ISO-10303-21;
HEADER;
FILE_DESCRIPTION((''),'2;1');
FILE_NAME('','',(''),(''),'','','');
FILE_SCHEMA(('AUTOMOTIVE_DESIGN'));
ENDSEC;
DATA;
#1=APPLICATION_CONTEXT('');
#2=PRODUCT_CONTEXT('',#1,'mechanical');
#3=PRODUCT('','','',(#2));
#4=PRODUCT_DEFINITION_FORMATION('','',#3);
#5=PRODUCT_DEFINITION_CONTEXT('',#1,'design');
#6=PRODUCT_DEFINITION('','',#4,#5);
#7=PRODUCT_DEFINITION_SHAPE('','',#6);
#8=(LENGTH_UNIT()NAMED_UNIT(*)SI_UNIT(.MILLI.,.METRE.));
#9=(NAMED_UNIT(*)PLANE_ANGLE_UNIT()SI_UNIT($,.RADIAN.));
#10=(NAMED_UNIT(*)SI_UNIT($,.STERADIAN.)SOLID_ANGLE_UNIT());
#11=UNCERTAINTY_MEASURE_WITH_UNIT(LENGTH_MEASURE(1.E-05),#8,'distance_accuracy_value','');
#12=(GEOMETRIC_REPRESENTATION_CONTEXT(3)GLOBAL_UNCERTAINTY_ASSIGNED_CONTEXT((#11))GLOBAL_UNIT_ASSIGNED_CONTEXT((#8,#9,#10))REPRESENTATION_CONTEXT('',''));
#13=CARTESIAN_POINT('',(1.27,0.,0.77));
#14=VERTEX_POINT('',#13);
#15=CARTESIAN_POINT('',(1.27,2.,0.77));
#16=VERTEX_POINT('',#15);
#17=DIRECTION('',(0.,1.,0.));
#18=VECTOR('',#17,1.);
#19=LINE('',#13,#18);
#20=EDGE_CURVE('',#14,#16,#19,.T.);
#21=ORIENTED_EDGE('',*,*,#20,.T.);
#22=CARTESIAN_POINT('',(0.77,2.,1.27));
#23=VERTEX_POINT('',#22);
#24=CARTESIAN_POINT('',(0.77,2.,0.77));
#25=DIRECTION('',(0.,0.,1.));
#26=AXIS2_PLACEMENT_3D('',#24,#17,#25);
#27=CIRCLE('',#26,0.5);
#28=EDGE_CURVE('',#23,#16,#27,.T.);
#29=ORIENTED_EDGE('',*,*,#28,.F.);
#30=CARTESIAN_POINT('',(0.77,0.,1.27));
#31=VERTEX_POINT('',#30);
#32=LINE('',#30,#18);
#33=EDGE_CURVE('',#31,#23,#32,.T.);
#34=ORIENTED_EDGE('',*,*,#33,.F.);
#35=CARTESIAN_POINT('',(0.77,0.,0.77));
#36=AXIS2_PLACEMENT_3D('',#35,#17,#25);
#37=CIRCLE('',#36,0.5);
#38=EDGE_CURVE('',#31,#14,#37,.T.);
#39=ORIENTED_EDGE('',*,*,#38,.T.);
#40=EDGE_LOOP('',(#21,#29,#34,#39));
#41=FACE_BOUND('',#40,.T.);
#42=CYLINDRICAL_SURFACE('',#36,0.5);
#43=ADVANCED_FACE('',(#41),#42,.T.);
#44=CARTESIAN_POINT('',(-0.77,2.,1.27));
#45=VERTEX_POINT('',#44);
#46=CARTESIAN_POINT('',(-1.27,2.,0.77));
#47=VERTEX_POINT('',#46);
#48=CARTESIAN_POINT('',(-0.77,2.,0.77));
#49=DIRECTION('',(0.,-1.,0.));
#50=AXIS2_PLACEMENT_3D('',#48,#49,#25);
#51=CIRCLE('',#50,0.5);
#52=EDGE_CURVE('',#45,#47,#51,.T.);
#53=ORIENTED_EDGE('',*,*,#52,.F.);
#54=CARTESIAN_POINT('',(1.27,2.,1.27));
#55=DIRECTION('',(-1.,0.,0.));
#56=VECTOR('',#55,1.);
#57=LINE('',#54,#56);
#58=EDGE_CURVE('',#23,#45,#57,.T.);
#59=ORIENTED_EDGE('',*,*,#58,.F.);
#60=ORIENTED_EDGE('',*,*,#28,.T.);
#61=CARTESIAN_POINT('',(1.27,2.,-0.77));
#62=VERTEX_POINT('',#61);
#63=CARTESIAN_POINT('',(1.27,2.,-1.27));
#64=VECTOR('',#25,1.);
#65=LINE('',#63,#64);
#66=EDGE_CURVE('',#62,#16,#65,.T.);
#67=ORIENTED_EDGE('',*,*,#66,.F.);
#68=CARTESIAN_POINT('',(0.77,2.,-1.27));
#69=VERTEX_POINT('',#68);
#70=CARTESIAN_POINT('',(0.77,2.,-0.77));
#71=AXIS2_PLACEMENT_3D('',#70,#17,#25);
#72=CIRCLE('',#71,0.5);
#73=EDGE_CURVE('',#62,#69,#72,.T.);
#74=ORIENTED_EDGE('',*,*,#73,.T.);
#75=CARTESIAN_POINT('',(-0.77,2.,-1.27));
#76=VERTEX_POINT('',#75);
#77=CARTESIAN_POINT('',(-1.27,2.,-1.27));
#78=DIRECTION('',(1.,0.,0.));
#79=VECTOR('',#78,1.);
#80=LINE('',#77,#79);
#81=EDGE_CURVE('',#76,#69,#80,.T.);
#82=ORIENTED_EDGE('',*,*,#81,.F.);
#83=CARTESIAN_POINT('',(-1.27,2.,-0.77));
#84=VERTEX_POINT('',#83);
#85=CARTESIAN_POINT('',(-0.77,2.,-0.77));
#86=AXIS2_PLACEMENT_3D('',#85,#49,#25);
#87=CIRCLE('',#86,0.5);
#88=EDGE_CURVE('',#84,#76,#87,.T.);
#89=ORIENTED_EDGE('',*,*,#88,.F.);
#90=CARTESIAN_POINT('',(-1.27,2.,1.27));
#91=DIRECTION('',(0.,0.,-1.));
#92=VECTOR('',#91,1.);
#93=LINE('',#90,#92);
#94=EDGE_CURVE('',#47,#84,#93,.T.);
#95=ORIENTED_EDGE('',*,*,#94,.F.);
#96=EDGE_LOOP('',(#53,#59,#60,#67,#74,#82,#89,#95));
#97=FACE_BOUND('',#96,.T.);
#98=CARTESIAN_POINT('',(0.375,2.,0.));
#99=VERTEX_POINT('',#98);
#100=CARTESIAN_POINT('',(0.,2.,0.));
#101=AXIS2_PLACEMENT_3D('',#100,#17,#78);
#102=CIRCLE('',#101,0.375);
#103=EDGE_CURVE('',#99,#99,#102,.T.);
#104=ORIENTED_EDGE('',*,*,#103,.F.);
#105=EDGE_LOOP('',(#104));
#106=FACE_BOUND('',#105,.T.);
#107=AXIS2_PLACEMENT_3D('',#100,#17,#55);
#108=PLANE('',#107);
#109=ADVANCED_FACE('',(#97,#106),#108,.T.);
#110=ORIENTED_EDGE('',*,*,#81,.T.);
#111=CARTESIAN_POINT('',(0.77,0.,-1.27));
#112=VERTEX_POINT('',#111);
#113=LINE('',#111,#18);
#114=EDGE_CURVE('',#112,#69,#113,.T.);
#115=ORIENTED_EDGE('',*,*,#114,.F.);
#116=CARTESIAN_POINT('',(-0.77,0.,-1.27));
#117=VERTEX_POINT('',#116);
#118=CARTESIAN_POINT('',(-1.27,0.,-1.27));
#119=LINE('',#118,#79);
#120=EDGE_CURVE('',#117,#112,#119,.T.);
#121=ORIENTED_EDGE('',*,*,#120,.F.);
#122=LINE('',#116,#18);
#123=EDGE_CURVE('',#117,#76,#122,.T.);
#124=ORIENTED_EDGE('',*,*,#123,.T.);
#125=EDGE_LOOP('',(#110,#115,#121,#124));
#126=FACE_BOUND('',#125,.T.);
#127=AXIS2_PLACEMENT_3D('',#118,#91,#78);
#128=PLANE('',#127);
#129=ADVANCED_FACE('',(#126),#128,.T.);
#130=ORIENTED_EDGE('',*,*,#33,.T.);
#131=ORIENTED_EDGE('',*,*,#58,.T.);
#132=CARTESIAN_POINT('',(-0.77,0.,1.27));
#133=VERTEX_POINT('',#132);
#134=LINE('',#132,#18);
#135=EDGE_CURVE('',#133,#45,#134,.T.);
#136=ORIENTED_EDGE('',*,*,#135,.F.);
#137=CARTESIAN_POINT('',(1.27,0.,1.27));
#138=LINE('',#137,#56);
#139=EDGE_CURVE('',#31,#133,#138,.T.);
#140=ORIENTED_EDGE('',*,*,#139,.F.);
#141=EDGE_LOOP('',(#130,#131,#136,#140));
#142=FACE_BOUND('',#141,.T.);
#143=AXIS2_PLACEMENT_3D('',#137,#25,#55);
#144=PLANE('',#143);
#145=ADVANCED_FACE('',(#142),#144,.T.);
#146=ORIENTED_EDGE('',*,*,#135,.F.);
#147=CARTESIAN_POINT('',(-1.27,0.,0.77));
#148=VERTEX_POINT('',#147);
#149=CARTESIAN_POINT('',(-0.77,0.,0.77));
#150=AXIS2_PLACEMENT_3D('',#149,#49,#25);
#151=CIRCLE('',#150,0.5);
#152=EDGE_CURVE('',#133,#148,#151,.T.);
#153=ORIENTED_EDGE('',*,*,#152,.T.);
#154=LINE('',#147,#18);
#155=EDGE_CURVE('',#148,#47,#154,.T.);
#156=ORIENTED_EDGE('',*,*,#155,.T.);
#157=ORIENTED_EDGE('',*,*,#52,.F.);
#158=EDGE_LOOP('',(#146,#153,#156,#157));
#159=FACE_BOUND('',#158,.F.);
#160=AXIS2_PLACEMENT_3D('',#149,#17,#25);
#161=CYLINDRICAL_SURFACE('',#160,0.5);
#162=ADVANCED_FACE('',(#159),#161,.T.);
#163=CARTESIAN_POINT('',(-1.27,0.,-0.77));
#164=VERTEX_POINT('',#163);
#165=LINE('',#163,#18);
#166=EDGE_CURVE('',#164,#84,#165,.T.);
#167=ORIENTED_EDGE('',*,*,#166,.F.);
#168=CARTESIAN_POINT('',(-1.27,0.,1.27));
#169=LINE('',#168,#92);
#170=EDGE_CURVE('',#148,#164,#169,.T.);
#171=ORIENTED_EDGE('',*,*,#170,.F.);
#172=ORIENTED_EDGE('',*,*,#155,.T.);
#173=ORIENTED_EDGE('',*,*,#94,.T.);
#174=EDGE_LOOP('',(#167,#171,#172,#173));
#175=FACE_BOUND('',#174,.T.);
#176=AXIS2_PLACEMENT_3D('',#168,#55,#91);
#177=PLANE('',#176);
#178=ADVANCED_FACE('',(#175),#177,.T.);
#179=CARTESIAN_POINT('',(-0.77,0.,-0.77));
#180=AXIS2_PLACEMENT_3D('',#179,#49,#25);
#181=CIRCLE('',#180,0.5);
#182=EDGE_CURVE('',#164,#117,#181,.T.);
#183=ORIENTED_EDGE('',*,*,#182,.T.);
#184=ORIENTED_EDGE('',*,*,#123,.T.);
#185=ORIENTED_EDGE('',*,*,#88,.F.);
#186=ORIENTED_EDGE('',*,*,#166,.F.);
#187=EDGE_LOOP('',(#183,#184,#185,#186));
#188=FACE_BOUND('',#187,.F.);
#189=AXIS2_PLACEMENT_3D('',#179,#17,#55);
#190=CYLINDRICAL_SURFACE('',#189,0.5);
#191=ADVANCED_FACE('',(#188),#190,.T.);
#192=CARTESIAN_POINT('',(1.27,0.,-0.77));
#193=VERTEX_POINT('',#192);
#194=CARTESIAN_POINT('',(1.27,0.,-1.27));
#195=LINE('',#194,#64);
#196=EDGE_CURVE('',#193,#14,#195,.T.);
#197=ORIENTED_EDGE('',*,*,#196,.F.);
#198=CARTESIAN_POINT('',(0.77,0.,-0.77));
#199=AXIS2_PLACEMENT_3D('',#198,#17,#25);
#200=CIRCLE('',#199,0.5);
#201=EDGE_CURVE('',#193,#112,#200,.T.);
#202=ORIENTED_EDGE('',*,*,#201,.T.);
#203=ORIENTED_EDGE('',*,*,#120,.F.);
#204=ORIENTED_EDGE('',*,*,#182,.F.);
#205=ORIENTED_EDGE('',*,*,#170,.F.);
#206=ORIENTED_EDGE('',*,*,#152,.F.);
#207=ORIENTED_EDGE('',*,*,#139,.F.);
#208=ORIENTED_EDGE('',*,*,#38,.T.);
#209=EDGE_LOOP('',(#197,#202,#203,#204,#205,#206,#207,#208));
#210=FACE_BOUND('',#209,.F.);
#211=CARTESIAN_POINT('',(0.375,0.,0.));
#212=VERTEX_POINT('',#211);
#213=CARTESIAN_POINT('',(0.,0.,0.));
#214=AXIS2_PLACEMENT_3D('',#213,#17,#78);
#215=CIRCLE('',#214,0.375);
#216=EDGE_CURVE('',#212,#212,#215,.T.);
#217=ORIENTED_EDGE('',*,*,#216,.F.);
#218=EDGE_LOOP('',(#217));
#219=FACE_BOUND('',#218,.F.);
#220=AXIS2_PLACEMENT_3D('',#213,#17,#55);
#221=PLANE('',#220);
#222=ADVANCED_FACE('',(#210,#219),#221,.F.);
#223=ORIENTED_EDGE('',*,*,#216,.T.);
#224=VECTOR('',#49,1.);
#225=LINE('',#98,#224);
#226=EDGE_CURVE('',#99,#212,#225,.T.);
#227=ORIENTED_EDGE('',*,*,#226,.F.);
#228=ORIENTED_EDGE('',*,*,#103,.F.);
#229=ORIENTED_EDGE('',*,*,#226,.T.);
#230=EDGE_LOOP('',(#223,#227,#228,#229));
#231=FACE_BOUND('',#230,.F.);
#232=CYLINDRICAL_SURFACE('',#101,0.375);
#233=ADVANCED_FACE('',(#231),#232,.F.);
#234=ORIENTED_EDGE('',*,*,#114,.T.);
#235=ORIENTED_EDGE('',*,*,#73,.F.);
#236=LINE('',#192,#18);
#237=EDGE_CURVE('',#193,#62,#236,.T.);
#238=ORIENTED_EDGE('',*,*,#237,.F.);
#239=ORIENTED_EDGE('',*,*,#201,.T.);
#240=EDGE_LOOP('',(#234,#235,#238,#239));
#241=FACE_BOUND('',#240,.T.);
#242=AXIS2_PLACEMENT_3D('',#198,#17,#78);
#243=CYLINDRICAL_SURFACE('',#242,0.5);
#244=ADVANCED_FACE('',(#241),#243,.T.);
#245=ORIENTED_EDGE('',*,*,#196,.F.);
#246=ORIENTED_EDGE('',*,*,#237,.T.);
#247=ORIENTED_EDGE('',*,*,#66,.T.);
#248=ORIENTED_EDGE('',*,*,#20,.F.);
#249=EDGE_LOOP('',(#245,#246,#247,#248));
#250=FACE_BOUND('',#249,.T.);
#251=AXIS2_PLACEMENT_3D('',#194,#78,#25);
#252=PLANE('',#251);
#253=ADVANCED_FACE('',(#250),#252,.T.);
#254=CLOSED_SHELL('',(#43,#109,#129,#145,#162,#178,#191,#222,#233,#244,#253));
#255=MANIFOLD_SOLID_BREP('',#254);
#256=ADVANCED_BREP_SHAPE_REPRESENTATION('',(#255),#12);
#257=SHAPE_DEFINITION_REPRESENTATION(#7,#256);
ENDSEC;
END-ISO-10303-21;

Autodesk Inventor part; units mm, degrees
ref_plane "YZ Plane" through (0, 0, 0) normal (1, 0, 0) x (0, 1, 0)
ref_plane "XZ Plane" through (0, 0, 0) normal (0, 1, 0) x (-1, 0, 0)
ref_plane "XY Plane" through (0, 0, 0) normal (0, 0, 1) x (1, 0, 0)
sketch "Sketch1" plane through (0, 0, 0) normal (0, 1, 0) x (-1, 0, 0)
  line L0 (-1.27, 1.27) -> (1.27, 1.27)
  line L1 (1.27, 1.27) -> (1.27, -1.27)
  line L2 (1.27, -1.27) -> (-1.27, -1.27)
  line L3 (-1.27, -1.27) -> (-1.27, 1.27)
  line L4 (-1.27, 1.27) -> (1.27, -1.27) construction
  line L5 (1.27, 1.27) -> (-1.27, -1.27) construction
  point P0 (0, 0)
  dimension "d0" = 2.54
  dimension "d1" = 2.54
extrude "Extrusion1" add sketch "Sketch1" along normal blind 2
sketch "Sketch2" plane through (0, 2, 0) normal (0, 1, 0) x (1, 0, 0)
  circle A0 centre (0, 0) radius 0.375
  dimension "d4" = 0.75
extrude "Extrusion2" cut sketch "Sketch2" against normal blind 3
fillet "Fillet1" radius 0.5 4 edges at (-1.27, 1, 1.27) (1.27, 1, 1.27) (1.27, 1, -1.27) (-1.27, 1, -1.27)
properties part number "block"
